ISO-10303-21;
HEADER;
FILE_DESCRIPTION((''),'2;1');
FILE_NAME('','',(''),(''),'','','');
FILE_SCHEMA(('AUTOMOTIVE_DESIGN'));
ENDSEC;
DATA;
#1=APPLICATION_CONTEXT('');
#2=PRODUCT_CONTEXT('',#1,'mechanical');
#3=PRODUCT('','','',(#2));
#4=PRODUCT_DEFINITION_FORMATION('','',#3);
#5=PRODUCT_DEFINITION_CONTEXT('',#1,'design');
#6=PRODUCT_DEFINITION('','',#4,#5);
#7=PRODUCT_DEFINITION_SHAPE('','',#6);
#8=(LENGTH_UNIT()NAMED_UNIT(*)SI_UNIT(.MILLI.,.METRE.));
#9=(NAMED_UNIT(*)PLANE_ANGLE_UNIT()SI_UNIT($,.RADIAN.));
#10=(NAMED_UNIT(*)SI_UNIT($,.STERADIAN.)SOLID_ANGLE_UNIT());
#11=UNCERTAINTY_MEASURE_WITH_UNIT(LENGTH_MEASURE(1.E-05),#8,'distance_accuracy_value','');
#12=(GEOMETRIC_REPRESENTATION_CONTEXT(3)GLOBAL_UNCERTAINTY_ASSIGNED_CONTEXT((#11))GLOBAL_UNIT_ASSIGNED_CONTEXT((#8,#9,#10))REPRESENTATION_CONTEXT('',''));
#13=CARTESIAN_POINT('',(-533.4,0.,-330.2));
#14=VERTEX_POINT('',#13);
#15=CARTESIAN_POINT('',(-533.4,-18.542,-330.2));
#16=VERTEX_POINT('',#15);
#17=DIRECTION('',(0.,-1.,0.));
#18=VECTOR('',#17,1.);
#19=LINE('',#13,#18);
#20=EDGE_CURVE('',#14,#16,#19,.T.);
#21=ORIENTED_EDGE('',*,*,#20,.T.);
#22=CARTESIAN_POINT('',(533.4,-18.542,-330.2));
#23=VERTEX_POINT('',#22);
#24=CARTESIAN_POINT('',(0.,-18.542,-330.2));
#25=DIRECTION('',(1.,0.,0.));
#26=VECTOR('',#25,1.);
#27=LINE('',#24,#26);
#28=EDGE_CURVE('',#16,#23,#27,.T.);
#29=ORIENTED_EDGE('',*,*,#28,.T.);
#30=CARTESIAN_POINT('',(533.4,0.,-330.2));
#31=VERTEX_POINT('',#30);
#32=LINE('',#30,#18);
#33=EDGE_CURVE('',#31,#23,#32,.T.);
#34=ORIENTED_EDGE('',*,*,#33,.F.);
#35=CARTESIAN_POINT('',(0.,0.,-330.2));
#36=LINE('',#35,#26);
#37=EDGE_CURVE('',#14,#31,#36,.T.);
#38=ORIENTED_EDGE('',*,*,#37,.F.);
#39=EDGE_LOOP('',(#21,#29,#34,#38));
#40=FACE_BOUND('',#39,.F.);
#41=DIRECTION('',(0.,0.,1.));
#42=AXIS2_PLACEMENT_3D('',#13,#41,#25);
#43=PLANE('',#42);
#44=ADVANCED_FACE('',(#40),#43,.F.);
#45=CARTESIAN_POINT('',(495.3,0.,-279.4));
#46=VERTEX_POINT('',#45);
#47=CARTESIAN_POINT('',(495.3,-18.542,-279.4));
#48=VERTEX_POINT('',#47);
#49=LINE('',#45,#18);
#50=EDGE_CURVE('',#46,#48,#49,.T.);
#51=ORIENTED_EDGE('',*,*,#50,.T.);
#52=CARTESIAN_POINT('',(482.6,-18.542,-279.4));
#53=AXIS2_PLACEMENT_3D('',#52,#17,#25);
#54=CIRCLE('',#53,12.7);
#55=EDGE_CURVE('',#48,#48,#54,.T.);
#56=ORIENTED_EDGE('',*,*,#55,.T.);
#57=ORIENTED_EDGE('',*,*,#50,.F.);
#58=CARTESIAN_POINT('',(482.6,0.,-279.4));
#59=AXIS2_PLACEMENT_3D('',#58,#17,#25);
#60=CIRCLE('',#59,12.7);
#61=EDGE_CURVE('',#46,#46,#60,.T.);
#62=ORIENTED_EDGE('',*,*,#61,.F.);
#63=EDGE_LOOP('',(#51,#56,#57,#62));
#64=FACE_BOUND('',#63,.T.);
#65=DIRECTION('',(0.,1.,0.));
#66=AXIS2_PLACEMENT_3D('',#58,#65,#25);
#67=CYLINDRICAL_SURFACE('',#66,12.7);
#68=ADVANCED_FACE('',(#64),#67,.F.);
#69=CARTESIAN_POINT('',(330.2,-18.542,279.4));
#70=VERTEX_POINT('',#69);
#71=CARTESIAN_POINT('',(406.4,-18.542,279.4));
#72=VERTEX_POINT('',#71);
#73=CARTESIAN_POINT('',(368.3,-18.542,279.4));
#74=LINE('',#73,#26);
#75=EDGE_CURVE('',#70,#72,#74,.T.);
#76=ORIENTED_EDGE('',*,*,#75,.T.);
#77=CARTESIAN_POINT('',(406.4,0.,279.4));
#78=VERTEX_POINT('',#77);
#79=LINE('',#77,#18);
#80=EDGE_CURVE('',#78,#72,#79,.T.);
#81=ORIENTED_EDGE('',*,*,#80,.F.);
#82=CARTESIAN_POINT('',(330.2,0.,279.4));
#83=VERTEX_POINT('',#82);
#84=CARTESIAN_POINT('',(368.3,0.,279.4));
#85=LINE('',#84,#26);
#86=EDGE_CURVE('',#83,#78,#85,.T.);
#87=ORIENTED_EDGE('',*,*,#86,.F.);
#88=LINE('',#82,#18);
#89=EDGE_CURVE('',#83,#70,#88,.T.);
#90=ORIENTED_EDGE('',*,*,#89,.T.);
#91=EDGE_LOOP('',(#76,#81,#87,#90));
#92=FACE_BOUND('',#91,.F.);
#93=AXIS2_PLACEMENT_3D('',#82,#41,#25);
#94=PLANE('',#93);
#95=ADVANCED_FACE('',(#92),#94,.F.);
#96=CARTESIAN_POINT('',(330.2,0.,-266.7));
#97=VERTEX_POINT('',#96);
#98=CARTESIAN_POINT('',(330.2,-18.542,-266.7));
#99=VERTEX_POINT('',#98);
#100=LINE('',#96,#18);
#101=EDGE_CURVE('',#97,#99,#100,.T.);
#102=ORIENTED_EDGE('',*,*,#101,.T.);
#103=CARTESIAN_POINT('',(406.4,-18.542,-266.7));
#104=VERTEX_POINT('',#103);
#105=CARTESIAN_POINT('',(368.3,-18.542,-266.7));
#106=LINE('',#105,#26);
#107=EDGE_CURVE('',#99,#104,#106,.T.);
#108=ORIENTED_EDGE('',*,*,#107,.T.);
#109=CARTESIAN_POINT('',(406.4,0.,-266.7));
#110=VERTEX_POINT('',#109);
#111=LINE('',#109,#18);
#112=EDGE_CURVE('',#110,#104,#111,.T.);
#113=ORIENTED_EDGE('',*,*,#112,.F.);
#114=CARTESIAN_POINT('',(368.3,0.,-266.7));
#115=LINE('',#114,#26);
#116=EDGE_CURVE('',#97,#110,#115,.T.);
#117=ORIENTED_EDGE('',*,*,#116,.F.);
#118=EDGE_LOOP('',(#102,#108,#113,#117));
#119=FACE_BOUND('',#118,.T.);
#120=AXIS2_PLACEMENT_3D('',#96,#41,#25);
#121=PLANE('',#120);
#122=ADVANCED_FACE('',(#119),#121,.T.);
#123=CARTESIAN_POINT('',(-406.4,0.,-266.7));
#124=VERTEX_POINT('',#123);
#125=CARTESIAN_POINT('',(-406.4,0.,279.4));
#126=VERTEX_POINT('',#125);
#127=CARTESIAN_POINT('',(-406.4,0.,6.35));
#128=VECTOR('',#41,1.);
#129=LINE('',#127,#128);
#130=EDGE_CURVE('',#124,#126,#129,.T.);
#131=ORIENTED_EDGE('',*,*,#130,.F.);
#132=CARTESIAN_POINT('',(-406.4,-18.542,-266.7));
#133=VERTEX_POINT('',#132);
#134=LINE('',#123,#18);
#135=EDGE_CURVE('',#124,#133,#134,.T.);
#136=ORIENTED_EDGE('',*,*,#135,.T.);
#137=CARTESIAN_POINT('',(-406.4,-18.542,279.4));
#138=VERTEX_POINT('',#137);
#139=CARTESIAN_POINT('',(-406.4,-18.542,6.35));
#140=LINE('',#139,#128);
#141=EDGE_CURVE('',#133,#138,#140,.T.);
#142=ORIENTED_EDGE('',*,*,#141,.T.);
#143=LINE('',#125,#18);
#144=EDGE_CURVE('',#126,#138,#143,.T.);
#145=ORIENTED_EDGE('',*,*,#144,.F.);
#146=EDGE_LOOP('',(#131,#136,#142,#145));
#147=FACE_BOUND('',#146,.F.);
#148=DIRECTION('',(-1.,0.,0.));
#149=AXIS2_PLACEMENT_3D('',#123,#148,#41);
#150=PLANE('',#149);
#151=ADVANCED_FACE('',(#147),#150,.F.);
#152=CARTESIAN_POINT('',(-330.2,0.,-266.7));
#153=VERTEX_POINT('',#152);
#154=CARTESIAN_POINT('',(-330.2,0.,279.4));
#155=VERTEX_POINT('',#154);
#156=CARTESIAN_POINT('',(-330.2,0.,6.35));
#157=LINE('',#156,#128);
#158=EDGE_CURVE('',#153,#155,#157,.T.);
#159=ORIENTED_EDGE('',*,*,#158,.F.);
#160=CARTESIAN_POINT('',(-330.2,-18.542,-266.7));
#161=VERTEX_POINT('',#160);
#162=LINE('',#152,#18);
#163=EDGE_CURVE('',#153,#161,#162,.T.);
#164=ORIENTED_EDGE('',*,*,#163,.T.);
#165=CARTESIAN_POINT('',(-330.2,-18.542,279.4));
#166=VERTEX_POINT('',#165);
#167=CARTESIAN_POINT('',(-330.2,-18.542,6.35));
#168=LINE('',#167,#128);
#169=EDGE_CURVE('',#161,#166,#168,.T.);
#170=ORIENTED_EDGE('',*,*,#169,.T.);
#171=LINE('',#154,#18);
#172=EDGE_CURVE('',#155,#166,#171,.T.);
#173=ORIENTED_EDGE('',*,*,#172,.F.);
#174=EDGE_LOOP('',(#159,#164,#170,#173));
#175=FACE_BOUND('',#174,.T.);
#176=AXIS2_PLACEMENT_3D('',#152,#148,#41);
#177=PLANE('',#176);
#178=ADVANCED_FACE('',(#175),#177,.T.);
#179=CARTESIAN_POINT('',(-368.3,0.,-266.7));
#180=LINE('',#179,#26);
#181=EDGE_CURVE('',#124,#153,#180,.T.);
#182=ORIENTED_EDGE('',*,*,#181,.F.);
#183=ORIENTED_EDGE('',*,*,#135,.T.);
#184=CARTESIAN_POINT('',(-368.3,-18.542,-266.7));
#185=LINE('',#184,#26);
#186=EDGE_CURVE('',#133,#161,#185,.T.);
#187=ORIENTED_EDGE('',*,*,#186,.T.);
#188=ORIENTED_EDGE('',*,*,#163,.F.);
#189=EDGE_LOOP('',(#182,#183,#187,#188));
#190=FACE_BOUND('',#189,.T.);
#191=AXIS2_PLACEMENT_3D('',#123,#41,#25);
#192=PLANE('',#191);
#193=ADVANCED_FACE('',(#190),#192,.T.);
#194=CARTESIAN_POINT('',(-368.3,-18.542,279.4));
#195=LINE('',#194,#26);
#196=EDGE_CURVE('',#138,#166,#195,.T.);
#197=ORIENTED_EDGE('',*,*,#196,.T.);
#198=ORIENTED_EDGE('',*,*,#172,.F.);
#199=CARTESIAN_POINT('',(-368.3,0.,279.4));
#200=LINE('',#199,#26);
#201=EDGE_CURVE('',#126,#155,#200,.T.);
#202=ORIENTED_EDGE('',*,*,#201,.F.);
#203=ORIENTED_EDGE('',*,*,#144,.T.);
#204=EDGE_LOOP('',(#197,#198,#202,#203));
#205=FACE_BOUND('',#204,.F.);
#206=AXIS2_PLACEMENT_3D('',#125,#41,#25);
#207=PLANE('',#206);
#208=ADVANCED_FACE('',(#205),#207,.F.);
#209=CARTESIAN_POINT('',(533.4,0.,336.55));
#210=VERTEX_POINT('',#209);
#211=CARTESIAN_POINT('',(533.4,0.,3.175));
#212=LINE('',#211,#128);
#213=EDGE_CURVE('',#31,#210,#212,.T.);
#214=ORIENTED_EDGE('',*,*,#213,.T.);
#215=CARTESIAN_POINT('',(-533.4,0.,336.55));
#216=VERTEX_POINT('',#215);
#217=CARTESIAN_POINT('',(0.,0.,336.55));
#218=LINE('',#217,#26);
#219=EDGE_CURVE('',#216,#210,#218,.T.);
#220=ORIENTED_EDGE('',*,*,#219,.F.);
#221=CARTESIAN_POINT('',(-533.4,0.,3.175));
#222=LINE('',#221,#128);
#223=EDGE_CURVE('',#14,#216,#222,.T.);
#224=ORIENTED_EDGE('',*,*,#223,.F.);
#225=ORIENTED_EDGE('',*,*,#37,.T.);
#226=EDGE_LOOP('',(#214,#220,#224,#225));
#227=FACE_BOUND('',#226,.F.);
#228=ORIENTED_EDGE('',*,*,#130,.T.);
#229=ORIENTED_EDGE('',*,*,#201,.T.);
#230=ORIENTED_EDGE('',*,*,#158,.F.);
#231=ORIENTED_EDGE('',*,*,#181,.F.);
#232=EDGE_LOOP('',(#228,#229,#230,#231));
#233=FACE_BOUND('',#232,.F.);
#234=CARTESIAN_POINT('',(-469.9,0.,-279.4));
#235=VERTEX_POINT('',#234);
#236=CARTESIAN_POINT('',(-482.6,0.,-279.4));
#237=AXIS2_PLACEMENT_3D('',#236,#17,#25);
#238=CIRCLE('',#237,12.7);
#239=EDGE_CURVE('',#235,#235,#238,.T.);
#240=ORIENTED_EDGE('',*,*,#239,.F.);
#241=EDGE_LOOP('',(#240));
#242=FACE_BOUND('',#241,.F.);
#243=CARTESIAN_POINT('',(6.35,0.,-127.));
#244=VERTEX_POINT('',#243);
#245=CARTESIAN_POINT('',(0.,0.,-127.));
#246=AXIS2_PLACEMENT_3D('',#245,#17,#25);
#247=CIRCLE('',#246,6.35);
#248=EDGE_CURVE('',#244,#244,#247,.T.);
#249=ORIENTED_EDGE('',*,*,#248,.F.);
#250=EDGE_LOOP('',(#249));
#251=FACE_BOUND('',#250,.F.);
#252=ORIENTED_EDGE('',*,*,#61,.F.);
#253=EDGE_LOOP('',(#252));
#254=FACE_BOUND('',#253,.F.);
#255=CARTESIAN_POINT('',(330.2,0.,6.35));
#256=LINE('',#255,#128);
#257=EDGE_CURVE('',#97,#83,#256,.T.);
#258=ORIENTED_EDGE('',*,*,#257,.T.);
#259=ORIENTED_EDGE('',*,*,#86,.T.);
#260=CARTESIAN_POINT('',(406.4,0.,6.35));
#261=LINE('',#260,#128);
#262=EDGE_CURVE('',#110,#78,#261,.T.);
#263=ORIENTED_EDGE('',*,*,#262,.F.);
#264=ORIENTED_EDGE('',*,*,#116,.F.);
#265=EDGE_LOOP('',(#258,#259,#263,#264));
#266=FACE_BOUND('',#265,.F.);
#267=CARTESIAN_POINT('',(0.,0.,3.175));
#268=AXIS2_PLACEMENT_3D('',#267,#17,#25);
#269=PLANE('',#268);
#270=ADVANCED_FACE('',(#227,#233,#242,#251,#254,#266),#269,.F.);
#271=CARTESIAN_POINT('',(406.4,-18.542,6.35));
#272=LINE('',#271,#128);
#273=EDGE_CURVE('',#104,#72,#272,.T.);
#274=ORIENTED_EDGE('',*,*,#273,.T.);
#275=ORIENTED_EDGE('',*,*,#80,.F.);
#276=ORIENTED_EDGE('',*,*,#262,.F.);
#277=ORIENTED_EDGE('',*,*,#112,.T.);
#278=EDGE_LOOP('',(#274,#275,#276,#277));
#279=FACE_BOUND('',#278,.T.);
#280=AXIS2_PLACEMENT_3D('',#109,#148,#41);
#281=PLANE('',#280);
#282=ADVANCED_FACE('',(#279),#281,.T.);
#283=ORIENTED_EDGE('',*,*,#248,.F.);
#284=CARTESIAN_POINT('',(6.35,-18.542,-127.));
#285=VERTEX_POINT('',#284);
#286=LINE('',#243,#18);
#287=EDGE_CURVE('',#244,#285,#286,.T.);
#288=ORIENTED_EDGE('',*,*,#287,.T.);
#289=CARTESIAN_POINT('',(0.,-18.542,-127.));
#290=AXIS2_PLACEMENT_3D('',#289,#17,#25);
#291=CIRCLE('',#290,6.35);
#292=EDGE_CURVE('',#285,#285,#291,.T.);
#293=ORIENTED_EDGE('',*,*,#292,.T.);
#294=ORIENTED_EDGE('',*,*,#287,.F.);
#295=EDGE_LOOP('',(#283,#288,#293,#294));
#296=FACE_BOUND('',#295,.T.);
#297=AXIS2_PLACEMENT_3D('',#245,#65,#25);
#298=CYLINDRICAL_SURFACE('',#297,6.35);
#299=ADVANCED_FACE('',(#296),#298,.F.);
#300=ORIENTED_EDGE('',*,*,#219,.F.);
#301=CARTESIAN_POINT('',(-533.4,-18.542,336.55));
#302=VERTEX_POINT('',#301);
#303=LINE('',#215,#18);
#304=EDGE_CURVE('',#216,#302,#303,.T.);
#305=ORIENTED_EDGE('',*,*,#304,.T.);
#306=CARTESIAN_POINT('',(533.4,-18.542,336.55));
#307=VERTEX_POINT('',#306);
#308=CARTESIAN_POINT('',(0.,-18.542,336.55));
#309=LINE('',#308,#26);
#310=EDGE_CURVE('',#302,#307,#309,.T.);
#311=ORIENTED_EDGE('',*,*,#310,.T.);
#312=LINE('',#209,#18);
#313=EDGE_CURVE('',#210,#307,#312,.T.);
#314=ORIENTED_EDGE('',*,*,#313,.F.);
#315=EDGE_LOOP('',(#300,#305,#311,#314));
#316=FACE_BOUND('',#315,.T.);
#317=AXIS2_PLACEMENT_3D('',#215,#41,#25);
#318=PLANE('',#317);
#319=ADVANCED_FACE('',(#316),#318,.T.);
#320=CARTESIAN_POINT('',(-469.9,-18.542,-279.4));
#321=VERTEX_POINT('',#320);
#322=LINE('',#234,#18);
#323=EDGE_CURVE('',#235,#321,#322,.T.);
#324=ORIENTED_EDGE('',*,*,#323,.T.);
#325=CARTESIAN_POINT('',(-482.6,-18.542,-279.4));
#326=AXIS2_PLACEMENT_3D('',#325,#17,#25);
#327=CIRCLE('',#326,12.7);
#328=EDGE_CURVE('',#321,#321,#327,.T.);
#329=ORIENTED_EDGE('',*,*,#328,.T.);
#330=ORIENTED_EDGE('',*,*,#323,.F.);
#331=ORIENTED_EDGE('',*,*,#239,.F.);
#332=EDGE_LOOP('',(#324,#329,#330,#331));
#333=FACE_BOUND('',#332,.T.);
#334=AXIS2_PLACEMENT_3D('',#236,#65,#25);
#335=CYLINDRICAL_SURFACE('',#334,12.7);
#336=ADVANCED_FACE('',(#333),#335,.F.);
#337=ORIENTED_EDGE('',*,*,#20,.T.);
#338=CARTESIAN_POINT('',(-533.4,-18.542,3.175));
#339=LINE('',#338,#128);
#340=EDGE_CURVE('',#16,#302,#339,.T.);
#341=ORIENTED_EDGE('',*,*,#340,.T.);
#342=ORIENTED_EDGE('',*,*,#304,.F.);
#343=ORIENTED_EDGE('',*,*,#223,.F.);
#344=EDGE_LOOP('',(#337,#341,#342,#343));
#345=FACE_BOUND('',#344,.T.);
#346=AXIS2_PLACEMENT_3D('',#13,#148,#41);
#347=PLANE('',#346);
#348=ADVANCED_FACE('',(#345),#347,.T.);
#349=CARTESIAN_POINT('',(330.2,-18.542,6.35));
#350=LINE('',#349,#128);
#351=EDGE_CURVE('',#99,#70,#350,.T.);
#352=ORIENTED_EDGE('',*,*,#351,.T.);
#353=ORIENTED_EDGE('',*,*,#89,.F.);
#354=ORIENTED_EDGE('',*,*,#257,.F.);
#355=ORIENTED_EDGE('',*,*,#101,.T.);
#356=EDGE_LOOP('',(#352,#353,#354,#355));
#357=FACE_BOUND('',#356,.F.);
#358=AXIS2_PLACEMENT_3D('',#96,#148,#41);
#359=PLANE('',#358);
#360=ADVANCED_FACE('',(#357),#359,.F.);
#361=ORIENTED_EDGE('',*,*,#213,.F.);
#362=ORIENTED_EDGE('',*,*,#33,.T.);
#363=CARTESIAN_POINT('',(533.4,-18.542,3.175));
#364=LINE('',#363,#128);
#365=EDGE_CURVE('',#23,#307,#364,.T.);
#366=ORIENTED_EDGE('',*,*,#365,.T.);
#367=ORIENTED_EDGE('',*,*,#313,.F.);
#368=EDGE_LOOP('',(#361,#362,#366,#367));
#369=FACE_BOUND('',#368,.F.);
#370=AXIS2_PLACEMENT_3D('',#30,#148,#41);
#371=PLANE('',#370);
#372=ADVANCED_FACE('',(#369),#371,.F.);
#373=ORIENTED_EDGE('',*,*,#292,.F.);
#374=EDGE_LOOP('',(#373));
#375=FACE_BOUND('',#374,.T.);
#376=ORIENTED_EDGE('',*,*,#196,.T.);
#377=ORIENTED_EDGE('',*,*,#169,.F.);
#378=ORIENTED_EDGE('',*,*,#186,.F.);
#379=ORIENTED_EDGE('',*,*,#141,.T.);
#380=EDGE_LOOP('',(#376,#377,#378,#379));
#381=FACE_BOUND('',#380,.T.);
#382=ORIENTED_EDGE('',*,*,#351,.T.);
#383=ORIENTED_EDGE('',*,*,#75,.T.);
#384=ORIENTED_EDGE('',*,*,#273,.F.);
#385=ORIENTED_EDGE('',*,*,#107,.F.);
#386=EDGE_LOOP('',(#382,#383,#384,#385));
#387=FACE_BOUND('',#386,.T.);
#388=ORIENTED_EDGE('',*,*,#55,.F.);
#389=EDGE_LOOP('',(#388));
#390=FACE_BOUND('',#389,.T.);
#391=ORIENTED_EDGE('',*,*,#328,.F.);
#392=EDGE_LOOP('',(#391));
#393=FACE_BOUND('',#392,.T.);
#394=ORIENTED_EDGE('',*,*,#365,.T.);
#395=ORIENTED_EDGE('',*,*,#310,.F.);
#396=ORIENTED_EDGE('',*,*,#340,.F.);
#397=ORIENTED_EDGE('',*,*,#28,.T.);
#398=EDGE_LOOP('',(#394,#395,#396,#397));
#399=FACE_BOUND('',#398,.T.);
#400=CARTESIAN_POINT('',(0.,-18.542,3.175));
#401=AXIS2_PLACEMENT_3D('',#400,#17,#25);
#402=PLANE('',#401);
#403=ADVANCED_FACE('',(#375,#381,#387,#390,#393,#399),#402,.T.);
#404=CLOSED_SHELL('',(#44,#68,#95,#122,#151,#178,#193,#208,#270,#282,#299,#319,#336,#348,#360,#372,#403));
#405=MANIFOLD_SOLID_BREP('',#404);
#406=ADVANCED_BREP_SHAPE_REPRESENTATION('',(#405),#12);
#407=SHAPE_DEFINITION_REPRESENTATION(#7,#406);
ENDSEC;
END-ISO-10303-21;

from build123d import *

# Parameters (mm, degrees)
F0_W     = 1066.8
F0_H     = 666.75
F0_R     = 12.7
F0_R_2   = 6.35
F0_W_2   = 76.2
F0_H_2   = 546.1
F1_DEPTH = 18.542


with BuildPart() as f1:
    # F0 (on Front) → F1 (new body)
    with BuildSketch(Plane.XZ):
        with Locations((0, 3.175)):
            Rectangle(F0_W, F0_H)
        with Locations((-482.6, -279.4)):
            Circle(F0_R, mode=Mode.SUBTRACT)
        with Locations((482.6, -279.4)):
            Circle(F0_R, mode=Mode.SUBTRACT)
        with Locations((0, -127)):
            Circle(F0_R_2, mode=Mode.SUBTRACT)
        with Locations((-368.3, 6.35)):
            Rectangle(F0_W_2, F0_H_2, mode=Mode.SUBTRACT)
        with Locations((368.3, 6.35)):
            Rectangle(F0_W_2, F0_H_2, mode=Mode.SUBTRACT)
    extrude(amount=F1_DEPTH)


solid = f1.part
